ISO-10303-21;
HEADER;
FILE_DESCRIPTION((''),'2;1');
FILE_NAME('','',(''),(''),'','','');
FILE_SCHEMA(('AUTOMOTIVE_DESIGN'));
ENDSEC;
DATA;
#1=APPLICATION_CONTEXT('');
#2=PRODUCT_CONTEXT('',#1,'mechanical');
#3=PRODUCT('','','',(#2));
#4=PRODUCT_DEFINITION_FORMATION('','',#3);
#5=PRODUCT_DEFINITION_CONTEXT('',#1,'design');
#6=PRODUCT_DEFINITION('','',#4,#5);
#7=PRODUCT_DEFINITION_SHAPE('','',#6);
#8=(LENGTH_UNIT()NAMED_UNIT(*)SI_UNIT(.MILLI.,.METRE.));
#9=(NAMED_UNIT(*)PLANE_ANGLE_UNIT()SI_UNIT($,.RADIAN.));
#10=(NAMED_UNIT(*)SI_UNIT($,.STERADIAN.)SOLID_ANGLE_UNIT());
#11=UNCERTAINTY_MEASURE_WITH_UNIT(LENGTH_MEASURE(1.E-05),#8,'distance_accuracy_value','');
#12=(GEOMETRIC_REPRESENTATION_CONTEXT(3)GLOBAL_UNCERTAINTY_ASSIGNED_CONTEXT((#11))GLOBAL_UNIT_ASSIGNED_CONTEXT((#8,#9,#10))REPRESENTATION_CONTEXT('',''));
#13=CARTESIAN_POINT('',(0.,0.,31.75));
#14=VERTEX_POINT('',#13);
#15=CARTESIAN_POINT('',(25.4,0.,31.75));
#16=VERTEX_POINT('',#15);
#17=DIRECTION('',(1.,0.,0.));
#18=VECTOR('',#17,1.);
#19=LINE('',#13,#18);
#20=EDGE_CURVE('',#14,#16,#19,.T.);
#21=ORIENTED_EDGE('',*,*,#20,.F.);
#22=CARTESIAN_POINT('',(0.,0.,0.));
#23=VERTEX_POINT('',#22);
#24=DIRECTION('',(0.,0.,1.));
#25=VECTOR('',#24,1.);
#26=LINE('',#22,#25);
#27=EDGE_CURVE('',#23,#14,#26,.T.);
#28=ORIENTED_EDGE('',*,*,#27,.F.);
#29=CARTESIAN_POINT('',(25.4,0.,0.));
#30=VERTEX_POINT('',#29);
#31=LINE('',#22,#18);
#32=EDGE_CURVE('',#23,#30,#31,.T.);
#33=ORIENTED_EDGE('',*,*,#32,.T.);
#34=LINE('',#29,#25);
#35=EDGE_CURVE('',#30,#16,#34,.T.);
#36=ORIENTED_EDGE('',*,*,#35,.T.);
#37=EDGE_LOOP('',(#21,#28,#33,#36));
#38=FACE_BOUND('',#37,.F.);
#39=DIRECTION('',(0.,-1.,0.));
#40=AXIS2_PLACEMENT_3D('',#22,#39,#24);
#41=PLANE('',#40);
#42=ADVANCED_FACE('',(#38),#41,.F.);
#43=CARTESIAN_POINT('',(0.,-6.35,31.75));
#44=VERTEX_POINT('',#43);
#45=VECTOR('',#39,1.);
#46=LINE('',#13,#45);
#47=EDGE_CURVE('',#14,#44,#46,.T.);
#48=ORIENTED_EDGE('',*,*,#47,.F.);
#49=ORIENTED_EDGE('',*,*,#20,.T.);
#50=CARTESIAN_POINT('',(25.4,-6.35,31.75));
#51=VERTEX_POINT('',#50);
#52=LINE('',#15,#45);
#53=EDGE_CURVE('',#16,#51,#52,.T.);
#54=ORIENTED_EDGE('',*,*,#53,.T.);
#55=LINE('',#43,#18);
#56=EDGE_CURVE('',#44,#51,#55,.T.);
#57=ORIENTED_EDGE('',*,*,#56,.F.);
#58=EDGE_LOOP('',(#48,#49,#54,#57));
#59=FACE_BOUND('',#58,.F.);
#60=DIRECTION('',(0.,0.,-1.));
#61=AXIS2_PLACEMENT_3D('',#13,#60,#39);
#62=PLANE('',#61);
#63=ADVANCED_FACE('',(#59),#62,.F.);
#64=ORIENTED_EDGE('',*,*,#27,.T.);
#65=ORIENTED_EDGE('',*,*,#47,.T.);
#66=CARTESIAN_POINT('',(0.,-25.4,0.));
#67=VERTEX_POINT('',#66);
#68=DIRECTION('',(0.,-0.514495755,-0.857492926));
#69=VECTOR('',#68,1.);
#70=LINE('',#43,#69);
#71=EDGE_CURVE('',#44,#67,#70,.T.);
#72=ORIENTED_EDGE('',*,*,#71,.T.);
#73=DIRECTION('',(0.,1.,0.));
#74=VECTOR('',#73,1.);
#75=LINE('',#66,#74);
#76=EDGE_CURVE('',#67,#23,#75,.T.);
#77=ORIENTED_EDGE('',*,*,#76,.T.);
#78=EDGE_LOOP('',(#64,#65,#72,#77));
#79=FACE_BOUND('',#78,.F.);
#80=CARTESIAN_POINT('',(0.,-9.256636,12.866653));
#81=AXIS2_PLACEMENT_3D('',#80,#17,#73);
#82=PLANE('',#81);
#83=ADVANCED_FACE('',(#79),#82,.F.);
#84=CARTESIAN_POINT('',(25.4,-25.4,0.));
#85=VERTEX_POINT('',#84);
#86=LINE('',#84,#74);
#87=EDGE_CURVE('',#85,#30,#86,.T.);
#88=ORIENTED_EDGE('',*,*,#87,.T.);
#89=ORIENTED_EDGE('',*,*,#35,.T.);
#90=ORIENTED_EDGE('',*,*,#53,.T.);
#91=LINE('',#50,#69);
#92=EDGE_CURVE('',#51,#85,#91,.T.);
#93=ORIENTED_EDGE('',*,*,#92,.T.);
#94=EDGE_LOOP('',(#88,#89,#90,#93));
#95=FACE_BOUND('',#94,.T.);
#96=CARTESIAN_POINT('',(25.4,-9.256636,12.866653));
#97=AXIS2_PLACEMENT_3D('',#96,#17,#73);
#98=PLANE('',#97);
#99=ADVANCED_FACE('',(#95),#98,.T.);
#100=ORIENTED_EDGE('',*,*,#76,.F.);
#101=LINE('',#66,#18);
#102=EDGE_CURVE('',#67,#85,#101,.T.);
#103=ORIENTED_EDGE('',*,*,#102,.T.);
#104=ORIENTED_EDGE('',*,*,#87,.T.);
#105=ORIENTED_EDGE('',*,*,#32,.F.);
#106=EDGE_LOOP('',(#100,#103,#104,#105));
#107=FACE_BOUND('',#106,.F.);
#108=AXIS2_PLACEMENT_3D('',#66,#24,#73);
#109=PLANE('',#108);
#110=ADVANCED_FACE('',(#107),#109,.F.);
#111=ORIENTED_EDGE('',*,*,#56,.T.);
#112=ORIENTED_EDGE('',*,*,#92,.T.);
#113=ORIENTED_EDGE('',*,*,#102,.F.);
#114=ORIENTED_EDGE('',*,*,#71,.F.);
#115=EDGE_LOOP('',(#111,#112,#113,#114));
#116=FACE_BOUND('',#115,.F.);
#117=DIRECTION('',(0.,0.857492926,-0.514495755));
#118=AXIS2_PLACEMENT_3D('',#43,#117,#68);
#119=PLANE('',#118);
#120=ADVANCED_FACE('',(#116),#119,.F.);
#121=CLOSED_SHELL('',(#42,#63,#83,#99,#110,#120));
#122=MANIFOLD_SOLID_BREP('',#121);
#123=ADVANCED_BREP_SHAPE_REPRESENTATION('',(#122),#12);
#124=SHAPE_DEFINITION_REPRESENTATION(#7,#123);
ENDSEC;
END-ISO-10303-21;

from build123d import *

# Parameters (mm, degrees)
F1_DEPTH = 31.75
F4_DEPTH = 25.4


with BuildPart() as f1:
    # F0 (on Top) → F1 (new body)
    with BuildSketch(Plane.XY):
        Polygon((-6.35, 0), (0, 0), (0, 38.1), (-25.4, 38.1), (-25.4, 25.4), (-6.35, 25.4), align=None)
    extrude(amount=F1_DEPTH)


with BuildPart() as f4:
    # F3 (on Right) → F4 (new body)
    with BuildSketch(Plane.YZ):
        Polygon((-25.4, 0), (0, 0), (0, 31.75), (-6.35, 31.75), align=None)
    extrude(amount=F4_DEPTH)


solid = f4.part
